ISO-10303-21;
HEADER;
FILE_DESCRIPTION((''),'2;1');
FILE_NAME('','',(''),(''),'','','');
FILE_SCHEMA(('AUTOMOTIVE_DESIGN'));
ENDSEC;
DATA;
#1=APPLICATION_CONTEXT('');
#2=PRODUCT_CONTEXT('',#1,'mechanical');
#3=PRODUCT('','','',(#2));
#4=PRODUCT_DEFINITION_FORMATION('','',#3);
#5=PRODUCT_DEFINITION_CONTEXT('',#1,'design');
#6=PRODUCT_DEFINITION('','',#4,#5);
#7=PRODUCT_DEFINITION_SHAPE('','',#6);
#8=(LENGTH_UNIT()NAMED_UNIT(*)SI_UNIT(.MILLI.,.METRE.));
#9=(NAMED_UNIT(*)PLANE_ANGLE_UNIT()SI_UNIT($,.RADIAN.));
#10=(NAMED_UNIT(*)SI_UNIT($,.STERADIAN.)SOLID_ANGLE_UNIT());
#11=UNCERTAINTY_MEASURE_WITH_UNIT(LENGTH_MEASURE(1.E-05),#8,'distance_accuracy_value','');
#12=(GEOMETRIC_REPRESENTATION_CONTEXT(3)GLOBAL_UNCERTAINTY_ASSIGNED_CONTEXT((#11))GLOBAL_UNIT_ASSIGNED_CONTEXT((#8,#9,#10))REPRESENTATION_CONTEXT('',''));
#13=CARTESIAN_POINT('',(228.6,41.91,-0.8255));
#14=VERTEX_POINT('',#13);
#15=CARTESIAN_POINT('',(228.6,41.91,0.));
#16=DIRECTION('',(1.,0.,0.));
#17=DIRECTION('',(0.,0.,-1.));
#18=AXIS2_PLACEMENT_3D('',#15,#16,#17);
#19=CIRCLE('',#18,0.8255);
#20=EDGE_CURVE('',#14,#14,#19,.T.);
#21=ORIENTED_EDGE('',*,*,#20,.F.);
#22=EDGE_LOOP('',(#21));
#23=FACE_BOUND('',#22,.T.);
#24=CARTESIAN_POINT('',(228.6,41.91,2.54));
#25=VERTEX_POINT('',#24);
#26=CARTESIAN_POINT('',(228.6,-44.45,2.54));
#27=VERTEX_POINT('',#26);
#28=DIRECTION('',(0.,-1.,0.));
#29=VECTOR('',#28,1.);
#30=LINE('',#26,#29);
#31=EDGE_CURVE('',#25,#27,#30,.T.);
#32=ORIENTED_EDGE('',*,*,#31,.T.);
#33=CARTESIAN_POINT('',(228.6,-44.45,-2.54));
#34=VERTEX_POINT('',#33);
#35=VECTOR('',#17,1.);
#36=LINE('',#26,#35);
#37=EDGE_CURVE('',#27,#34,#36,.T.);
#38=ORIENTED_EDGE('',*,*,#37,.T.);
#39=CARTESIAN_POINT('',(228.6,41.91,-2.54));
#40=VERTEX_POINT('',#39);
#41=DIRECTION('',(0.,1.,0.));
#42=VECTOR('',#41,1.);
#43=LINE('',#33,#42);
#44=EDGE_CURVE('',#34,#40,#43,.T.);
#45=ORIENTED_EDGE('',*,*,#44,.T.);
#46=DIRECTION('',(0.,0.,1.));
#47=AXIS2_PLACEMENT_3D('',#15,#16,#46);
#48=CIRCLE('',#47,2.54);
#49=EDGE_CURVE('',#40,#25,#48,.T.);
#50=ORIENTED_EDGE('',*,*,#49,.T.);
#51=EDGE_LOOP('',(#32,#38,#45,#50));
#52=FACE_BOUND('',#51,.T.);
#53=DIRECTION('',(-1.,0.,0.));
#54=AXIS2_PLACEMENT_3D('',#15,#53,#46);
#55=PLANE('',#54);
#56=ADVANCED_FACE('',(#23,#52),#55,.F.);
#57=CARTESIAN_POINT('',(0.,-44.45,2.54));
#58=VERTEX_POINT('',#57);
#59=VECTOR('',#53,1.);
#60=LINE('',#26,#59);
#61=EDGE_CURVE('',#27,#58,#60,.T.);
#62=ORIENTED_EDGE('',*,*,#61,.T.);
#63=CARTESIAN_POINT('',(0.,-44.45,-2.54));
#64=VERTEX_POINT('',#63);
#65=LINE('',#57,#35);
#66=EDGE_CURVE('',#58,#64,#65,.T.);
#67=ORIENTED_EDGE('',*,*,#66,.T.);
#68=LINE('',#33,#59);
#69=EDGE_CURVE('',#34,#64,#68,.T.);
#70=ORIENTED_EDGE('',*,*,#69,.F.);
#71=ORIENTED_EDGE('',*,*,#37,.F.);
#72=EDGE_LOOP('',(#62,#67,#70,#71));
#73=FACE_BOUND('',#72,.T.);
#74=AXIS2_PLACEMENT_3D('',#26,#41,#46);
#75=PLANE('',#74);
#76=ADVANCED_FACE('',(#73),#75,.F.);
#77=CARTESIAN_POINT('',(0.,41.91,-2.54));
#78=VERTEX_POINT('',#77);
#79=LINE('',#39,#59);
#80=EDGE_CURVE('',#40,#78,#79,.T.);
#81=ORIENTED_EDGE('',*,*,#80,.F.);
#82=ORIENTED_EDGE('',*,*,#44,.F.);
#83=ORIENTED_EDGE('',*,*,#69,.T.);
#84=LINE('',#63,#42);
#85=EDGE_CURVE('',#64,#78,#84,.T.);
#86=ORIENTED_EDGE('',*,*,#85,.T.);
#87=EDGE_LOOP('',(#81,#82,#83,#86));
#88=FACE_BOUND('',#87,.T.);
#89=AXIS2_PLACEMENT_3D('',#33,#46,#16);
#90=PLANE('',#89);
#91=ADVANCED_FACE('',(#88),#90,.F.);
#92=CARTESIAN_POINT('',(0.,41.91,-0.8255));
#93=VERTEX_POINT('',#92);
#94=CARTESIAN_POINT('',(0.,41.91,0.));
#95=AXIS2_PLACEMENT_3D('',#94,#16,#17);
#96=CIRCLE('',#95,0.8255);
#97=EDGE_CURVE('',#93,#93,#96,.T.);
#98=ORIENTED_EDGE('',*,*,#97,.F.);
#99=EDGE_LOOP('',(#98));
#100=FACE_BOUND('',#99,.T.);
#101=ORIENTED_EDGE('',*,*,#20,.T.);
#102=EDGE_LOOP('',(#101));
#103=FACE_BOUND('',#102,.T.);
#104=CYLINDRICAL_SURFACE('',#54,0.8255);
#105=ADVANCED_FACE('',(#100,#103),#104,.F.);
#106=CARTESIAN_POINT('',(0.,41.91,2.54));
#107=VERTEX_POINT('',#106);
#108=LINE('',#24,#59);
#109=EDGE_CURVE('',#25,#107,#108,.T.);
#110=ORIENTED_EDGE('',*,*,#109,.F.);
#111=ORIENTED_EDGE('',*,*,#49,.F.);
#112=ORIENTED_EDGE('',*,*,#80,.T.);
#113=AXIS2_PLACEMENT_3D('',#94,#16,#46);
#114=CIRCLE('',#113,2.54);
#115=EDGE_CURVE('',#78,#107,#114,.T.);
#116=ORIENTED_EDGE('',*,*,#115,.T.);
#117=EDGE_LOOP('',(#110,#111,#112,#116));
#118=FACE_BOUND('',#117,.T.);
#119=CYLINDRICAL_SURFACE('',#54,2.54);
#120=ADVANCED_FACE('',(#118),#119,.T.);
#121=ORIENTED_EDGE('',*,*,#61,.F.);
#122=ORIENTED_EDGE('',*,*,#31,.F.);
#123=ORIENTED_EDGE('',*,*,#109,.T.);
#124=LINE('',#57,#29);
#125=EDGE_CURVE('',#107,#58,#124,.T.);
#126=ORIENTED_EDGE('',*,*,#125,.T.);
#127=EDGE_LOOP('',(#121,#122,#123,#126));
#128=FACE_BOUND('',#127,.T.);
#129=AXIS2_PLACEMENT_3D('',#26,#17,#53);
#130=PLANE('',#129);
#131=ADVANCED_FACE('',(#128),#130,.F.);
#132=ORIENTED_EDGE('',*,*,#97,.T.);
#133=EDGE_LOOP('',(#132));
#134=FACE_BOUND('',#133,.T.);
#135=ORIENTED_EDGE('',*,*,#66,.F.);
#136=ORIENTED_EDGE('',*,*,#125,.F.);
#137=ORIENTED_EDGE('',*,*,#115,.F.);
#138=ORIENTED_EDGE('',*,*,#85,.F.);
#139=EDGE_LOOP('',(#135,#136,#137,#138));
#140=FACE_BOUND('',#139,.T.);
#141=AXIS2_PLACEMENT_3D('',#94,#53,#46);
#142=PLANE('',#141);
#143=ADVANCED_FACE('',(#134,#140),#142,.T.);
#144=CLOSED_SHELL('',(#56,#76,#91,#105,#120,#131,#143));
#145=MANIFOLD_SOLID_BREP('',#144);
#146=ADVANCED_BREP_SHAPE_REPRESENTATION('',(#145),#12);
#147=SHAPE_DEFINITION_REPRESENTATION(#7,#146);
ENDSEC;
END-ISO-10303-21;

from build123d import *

# Parameters (mm, degrees)
SKETCH5_R           = 0.8255
BOSS_EXTRUDE2_DEPTH = 228.6


with BuildPart() as part:
    # Sketch5 → Boss-Extrude2 (new body)
    with BuildSketch(Plane(origin=(0, 0, 0), x_dir=(0, 0, -1), z_dir=(1, 0, 0))):
        with BuildLine():
            Line((-2.54, -44.45), (2.54, -44.45))
            Line((2.54, -44.45), (2.54, 41.91))
            ThreePointArc((2.54, 41.91), (0, 44.45), (-2.54, 41.91))
            Line((-2.54, 41.91), (-2.54, -44.45))
        make_face()
        with Locations((0, 41.91)):
            Circle(SKETCH5_R, mode=Mode.SUBTRACT)
    extrude(amount=BOSS_EXTRUDE2_DEPTH)


solid = part.part
